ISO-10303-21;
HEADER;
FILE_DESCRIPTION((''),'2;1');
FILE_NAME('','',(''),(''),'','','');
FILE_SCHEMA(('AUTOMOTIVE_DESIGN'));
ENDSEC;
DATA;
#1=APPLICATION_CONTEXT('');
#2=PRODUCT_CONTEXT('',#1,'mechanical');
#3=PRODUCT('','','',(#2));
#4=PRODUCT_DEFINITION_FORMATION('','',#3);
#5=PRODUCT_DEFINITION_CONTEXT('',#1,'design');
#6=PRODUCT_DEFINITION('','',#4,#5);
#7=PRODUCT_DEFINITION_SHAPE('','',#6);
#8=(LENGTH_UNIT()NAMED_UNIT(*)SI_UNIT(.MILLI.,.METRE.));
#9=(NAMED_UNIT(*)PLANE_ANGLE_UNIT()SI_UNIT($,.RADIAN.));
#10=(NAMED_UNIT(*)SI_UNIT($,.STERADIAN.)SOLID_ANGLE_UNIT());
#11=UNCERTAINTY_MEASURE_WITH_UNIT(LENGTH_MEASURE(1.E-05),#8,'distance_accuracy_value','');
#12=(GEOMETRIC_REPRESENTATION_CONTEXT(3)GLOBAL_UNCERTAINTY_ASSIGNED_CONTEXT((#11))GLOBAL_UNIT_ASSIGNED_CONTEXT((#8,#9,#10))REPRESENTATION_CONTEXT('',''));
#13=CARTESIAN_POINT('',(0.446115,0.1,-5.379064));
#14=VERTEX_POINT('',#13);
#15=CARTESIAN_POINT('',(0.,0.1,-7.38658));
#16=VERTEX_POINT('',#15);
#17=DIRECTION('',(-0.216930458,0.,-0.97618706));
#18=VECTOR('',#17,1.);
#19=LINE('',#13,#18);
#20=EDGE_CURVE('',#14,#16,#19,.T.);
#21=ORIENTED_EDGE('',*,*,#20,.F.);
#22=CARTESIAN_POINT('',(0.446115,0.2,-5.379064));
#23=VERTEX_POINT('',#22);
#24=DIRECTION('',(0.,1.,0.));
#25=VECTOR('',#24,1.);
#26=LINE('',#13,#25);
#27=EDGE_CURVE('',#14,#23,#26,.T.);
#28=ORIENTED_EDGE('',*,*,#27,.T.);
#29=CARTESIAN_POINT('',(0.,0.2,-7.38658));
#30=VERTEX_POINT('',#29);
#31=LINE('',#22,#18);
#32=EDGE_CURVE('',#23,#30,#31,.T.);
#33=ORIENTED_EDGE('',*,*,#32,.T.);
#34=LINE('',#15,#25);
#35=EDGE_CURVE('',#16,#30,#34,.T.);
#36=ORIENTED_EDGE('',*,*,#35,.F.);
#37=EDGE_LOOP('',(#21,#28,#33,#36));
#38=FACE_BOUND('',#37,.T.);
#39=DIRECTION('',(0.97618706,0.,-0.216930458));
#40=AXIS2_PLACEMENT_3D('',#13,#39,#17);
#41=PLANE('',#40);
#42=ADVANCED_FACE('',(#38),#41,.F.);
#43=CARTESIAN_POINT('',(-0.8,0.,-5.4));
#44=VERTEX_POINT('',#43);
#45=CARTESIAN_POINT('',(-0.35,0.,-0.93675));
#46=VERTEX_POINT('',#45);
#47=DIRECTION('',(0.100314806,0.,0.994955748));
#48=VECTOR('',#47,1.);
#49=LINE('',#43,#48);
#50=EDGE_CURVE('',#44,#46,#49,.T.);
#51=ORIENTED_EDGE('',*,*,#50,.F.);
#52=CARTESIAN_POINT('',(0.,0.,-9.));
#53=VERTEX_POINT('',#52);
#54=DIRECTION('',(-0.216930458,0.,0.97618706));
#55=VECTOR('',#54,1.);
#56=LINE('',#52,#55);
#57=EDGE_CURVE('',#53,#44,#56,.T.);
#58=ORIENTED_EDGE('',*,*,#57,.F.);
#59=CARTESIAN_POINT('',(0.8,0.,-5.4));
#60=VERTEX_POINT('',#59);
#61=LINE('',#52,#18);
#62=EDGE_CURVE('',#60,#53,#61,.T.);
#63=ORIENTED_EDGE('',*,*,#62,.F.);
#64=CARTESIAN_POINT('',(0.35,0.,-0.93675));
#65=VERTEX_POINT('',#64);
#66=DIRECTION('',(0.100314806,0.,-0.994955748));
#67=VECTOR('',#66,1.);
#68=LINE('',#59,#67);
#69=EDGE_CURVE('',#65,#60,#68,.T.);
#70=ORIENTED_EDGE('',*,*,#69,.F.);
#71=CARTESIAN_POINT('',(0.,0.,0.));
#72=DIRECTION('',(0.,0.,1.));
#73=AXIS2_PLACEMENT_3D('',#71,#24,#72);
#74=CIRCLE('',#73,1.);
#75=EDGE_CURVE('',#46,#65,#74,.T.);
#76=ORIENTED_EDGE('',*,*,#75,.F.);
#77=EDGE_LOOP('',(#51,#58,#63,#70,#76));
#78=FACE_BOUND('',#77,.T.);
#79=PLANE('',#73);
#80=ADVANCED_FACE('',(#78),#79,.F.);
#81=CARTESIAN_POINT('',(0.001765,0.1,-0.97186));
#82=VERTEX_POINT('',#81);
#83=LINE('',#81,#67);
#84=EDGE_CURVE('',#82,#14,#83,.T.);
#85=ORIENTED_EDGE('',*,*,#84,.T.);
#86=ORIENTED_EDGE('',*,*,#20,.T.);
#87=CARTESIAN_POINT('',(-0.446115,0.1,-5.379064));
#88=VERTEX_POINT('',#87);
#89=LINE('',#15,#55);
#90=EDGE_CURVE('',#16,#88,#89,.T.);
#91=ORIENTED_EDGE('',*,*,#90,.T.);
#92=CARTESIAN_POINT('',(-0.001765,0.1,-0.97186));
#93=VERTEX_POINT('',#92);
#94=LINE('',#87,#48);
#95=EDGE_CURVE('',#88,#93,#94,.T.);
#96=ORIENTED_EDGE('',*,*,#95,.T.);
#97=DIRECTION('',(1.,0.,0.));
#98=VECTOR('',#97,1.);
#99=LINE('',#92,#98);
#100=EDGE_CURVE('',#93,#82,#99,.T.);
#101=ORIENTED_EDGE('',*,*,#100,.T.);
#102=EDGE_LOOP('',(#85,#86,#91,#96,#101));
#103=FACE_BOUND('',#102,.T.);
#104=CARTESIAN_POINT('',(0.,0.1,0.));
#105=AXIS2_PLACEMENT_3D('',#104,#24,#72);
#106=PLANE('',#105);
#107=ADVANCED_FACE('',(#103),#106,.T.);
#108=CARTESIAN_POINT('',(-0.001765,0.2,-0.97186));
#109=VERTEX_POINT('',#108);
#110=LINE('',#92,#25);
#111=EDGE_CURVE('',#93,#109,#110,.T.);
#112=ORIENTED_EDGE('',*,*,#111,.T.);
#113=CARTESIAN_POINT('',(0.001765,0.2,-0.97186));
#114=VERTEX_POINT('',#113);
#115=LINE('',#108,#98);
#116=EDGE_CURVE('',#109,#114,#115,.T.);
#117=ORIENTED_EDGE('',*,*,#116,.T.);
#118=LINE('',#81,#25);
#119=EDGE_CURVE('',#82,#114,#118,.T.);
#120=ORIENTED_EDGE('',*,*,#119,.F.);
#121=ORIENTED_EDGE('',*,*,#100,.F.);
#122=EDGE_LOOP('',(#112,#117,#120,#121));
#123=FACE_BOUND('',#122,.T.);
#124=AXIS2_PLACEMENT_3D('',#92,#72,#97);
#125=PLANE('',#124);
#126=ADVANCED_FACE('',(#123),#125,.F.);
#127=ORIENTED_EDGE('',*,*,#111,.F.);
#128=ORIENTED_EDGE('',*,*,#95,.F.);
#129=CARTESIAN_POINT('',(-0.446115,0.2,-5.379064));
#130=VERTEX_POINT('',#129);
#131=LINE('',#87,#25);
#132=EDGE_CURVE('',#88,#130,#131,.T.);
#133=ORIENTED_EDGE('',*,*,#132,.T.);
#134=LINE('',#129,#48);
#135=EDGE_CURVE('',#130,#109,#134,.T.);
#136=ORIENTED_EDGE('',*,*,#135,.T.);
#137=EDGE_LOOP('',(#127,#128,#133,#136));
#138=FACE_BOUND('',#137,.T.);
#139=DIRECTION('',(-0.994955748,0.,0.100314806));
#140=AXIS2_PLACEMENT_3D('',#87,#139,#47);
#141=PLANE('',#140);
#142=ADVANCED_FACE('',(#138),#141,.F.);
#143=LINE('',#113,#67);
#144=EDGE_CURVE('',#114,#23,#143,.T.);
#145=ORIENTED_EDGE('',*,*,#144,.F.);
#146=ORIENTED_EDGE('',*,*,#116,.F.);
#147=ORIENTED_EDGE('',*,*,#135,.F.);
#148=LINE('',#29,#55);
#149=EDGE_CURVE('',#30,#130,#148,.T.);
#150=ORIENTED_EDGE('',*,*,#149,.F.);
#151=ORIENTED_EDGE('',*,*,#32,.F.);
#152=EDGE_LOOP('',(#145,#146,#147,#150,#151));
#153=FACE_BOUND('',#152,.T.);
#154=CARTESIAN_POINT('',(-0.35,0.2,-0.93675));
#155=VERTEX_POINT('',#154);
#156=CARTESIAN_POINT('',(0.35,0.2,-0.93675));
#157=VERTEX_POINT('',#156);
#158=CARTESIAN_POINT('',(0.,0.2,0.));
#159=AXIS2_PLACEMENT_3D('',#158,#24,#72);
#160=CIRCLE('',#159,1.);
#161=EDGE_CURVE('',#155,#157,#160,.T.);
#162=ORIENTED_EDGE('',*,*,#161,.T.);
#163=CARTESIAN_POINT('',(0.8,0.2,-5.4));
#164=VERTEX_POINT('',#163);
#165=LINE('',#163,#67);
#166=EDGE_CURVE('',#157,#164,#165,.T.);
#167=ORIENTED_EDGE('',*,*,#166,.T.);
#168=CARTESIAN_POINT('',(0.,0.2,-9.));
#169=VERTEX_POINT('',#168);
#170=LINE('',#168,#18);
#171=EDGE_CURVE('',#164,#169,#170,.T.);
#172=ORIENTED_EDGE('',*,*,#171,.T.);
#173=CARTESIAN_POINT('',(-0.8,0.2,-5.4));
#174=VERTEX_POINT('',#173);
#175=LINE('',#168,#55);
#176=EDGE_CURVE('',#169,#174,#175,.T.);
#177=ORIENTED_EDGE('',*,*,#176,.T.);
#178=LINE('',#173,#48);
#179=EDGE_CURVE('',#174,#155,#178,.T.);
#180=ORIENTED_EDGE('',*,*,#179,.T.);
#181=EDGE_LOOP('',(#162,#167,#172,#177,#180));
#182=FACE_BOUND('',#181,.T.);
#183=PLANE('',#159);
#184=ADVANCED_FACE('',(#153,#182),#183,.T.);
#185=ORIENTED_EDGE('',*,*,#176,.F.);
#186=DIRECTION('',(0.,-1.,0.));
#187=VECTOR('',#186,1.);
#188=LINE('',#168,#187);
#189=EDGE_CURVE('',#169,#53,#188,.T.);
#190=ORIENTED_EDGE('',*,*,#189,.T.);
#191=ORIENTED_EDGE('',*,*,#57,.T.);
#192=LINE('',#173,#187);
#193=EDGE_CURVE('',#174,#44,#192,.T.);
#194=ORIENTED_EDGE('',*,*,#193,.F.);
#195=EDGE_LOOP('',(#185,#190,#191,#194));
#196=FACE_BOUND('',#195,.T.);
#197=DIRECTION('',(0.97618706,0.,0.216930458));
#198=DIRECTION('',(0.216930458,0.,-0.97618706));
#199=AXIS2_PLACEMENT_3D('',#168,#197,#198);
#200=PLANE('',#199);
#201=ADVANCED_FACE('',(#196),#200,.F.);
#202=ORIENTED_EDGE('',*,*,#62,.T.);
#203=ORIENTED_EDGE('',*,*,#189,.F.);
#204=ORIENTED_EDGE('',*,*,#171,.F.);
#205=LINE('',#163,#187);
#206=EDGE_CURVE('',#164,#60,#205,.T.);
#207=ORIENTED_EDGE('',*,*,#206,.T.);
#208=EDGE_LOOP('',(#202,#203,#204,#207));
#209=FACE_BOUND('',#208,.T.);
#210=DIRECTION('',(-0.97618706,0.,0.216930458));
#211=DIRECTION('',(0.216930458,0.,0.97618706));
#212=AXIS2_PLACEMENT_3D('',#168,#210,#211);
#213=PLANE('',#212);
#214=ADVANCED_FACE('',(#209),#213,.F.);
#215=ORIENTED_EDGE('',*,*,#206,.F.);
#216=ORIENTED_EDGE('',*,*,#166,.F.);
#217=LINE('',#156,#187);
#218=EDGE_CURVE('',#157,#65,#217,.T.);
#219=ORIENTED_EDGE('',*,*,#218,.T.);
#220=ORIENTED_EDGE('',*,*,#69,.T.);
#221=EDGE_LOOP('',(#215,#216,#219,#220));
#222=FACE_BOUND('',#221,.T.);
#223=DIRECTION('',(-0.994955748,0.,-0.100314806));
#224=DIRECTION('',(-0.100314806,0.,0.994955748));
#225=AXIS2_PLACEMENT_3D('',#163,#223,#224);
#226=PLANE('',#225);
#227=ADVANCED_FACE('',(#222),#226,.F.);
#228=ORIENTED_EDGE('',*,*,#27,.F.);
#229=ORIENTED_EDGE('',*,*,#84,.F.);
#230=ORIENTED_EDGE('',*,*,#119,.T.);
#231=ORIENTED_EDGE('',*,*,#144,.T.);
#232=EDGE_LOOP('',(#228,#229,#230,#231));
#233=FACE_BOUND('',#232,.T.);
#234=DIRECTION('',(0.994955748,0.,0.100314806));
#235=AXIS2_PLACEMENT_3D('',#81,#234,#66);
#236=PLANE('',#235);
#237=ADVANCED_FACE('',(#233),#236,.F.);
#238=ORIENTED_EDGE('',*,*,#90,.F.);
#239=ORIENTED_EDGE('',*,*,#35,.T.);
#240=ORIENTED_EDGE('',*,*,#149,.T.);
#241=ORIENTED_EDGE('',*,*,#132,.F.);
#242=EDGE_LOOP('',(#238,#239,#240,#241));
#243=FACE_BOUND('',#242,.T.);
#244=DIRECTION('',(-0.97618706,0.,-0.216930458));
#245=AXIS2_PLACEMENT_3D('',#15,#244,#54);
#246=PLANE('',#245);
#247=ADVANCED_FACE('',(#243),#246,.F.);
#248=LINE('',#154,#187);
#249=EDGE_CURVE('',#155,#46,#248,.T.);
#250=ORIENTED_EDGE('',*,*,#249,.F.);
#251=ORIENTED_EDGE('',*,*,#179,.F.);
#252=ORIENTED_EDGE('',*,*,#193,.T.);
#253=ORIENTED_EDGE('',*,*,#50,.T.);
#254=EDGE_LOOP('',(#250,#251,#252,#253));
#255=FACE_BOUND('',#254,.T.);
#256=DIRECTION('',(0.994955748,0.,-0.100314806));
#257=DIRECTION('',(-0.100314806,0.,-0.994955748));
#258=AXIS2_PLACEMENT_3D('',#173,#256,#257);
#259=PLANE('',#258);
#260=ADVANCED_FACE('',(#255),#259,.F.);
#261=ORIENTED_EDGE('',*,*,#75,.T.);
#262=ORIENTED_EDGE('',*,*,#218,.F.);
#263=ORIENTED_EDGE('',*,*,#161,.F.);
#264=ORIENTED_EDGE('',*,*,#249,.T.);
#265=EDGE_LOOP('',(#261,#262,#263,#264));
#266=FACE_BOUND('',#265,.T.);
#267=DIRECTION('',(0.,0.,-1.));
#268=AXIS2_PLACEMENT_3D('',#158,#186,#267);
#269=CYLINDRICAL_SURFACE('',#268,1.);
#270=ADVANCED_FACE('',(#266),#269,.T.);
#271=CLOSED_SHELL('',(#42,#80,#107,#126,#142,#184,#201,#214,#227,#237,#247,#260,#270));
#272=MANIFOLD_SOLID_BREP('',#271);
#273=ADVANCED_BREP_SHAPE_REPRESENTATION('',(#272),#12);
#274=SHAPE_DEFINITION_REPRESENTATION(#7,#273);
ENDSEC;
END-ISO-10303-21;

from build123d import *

# Parameters (mm, degrees)
EXTRUDE1_DEPTH = 0.2
EXTRUDE2_DEPTH = 0.1


with BuildPart() as part:
    # Sketch1 → Extrude1 (new body)
    with BuildSketch(Plane(origin=(0, 0, 0), x_dir=(1, 0, 0), z_dir=(0, 1, 0))):
        with BuildLine():
            Line((0, 9), (0.8, 5.4))
            Line((0.8, 5.4), (0.35, 0.9367497))
            ThreePointArc((0.35, 0.9367497), (0, -1), (-0.35, 0.9367497))
            Line((-0.35, 0.9367497), (-0.8, 5.4))
            Line((-0.8, 5.4), (0, 9))
        make_face()
    extrude(amount=EXTRUDE1_DEPTH)

    # Sketch2 → Extrude2 (cut)
    with BuildSketch(Plane(origin=(0, 0.2, 0), x_dir=(1, 0, 0), z_dir=(0, 1, 0))):
        Polygon((-0.001765488, 0.971859882), (0.001765488, 0.971859882), (0.446114686, 5.379063634), (0, 7.38657972), (-0.446114686, 5.379063634), align=None)
    extrude(amount=-EXTRUDE2_DEPTH, mode=Mode.SUBTRACT)


solid = part.part
